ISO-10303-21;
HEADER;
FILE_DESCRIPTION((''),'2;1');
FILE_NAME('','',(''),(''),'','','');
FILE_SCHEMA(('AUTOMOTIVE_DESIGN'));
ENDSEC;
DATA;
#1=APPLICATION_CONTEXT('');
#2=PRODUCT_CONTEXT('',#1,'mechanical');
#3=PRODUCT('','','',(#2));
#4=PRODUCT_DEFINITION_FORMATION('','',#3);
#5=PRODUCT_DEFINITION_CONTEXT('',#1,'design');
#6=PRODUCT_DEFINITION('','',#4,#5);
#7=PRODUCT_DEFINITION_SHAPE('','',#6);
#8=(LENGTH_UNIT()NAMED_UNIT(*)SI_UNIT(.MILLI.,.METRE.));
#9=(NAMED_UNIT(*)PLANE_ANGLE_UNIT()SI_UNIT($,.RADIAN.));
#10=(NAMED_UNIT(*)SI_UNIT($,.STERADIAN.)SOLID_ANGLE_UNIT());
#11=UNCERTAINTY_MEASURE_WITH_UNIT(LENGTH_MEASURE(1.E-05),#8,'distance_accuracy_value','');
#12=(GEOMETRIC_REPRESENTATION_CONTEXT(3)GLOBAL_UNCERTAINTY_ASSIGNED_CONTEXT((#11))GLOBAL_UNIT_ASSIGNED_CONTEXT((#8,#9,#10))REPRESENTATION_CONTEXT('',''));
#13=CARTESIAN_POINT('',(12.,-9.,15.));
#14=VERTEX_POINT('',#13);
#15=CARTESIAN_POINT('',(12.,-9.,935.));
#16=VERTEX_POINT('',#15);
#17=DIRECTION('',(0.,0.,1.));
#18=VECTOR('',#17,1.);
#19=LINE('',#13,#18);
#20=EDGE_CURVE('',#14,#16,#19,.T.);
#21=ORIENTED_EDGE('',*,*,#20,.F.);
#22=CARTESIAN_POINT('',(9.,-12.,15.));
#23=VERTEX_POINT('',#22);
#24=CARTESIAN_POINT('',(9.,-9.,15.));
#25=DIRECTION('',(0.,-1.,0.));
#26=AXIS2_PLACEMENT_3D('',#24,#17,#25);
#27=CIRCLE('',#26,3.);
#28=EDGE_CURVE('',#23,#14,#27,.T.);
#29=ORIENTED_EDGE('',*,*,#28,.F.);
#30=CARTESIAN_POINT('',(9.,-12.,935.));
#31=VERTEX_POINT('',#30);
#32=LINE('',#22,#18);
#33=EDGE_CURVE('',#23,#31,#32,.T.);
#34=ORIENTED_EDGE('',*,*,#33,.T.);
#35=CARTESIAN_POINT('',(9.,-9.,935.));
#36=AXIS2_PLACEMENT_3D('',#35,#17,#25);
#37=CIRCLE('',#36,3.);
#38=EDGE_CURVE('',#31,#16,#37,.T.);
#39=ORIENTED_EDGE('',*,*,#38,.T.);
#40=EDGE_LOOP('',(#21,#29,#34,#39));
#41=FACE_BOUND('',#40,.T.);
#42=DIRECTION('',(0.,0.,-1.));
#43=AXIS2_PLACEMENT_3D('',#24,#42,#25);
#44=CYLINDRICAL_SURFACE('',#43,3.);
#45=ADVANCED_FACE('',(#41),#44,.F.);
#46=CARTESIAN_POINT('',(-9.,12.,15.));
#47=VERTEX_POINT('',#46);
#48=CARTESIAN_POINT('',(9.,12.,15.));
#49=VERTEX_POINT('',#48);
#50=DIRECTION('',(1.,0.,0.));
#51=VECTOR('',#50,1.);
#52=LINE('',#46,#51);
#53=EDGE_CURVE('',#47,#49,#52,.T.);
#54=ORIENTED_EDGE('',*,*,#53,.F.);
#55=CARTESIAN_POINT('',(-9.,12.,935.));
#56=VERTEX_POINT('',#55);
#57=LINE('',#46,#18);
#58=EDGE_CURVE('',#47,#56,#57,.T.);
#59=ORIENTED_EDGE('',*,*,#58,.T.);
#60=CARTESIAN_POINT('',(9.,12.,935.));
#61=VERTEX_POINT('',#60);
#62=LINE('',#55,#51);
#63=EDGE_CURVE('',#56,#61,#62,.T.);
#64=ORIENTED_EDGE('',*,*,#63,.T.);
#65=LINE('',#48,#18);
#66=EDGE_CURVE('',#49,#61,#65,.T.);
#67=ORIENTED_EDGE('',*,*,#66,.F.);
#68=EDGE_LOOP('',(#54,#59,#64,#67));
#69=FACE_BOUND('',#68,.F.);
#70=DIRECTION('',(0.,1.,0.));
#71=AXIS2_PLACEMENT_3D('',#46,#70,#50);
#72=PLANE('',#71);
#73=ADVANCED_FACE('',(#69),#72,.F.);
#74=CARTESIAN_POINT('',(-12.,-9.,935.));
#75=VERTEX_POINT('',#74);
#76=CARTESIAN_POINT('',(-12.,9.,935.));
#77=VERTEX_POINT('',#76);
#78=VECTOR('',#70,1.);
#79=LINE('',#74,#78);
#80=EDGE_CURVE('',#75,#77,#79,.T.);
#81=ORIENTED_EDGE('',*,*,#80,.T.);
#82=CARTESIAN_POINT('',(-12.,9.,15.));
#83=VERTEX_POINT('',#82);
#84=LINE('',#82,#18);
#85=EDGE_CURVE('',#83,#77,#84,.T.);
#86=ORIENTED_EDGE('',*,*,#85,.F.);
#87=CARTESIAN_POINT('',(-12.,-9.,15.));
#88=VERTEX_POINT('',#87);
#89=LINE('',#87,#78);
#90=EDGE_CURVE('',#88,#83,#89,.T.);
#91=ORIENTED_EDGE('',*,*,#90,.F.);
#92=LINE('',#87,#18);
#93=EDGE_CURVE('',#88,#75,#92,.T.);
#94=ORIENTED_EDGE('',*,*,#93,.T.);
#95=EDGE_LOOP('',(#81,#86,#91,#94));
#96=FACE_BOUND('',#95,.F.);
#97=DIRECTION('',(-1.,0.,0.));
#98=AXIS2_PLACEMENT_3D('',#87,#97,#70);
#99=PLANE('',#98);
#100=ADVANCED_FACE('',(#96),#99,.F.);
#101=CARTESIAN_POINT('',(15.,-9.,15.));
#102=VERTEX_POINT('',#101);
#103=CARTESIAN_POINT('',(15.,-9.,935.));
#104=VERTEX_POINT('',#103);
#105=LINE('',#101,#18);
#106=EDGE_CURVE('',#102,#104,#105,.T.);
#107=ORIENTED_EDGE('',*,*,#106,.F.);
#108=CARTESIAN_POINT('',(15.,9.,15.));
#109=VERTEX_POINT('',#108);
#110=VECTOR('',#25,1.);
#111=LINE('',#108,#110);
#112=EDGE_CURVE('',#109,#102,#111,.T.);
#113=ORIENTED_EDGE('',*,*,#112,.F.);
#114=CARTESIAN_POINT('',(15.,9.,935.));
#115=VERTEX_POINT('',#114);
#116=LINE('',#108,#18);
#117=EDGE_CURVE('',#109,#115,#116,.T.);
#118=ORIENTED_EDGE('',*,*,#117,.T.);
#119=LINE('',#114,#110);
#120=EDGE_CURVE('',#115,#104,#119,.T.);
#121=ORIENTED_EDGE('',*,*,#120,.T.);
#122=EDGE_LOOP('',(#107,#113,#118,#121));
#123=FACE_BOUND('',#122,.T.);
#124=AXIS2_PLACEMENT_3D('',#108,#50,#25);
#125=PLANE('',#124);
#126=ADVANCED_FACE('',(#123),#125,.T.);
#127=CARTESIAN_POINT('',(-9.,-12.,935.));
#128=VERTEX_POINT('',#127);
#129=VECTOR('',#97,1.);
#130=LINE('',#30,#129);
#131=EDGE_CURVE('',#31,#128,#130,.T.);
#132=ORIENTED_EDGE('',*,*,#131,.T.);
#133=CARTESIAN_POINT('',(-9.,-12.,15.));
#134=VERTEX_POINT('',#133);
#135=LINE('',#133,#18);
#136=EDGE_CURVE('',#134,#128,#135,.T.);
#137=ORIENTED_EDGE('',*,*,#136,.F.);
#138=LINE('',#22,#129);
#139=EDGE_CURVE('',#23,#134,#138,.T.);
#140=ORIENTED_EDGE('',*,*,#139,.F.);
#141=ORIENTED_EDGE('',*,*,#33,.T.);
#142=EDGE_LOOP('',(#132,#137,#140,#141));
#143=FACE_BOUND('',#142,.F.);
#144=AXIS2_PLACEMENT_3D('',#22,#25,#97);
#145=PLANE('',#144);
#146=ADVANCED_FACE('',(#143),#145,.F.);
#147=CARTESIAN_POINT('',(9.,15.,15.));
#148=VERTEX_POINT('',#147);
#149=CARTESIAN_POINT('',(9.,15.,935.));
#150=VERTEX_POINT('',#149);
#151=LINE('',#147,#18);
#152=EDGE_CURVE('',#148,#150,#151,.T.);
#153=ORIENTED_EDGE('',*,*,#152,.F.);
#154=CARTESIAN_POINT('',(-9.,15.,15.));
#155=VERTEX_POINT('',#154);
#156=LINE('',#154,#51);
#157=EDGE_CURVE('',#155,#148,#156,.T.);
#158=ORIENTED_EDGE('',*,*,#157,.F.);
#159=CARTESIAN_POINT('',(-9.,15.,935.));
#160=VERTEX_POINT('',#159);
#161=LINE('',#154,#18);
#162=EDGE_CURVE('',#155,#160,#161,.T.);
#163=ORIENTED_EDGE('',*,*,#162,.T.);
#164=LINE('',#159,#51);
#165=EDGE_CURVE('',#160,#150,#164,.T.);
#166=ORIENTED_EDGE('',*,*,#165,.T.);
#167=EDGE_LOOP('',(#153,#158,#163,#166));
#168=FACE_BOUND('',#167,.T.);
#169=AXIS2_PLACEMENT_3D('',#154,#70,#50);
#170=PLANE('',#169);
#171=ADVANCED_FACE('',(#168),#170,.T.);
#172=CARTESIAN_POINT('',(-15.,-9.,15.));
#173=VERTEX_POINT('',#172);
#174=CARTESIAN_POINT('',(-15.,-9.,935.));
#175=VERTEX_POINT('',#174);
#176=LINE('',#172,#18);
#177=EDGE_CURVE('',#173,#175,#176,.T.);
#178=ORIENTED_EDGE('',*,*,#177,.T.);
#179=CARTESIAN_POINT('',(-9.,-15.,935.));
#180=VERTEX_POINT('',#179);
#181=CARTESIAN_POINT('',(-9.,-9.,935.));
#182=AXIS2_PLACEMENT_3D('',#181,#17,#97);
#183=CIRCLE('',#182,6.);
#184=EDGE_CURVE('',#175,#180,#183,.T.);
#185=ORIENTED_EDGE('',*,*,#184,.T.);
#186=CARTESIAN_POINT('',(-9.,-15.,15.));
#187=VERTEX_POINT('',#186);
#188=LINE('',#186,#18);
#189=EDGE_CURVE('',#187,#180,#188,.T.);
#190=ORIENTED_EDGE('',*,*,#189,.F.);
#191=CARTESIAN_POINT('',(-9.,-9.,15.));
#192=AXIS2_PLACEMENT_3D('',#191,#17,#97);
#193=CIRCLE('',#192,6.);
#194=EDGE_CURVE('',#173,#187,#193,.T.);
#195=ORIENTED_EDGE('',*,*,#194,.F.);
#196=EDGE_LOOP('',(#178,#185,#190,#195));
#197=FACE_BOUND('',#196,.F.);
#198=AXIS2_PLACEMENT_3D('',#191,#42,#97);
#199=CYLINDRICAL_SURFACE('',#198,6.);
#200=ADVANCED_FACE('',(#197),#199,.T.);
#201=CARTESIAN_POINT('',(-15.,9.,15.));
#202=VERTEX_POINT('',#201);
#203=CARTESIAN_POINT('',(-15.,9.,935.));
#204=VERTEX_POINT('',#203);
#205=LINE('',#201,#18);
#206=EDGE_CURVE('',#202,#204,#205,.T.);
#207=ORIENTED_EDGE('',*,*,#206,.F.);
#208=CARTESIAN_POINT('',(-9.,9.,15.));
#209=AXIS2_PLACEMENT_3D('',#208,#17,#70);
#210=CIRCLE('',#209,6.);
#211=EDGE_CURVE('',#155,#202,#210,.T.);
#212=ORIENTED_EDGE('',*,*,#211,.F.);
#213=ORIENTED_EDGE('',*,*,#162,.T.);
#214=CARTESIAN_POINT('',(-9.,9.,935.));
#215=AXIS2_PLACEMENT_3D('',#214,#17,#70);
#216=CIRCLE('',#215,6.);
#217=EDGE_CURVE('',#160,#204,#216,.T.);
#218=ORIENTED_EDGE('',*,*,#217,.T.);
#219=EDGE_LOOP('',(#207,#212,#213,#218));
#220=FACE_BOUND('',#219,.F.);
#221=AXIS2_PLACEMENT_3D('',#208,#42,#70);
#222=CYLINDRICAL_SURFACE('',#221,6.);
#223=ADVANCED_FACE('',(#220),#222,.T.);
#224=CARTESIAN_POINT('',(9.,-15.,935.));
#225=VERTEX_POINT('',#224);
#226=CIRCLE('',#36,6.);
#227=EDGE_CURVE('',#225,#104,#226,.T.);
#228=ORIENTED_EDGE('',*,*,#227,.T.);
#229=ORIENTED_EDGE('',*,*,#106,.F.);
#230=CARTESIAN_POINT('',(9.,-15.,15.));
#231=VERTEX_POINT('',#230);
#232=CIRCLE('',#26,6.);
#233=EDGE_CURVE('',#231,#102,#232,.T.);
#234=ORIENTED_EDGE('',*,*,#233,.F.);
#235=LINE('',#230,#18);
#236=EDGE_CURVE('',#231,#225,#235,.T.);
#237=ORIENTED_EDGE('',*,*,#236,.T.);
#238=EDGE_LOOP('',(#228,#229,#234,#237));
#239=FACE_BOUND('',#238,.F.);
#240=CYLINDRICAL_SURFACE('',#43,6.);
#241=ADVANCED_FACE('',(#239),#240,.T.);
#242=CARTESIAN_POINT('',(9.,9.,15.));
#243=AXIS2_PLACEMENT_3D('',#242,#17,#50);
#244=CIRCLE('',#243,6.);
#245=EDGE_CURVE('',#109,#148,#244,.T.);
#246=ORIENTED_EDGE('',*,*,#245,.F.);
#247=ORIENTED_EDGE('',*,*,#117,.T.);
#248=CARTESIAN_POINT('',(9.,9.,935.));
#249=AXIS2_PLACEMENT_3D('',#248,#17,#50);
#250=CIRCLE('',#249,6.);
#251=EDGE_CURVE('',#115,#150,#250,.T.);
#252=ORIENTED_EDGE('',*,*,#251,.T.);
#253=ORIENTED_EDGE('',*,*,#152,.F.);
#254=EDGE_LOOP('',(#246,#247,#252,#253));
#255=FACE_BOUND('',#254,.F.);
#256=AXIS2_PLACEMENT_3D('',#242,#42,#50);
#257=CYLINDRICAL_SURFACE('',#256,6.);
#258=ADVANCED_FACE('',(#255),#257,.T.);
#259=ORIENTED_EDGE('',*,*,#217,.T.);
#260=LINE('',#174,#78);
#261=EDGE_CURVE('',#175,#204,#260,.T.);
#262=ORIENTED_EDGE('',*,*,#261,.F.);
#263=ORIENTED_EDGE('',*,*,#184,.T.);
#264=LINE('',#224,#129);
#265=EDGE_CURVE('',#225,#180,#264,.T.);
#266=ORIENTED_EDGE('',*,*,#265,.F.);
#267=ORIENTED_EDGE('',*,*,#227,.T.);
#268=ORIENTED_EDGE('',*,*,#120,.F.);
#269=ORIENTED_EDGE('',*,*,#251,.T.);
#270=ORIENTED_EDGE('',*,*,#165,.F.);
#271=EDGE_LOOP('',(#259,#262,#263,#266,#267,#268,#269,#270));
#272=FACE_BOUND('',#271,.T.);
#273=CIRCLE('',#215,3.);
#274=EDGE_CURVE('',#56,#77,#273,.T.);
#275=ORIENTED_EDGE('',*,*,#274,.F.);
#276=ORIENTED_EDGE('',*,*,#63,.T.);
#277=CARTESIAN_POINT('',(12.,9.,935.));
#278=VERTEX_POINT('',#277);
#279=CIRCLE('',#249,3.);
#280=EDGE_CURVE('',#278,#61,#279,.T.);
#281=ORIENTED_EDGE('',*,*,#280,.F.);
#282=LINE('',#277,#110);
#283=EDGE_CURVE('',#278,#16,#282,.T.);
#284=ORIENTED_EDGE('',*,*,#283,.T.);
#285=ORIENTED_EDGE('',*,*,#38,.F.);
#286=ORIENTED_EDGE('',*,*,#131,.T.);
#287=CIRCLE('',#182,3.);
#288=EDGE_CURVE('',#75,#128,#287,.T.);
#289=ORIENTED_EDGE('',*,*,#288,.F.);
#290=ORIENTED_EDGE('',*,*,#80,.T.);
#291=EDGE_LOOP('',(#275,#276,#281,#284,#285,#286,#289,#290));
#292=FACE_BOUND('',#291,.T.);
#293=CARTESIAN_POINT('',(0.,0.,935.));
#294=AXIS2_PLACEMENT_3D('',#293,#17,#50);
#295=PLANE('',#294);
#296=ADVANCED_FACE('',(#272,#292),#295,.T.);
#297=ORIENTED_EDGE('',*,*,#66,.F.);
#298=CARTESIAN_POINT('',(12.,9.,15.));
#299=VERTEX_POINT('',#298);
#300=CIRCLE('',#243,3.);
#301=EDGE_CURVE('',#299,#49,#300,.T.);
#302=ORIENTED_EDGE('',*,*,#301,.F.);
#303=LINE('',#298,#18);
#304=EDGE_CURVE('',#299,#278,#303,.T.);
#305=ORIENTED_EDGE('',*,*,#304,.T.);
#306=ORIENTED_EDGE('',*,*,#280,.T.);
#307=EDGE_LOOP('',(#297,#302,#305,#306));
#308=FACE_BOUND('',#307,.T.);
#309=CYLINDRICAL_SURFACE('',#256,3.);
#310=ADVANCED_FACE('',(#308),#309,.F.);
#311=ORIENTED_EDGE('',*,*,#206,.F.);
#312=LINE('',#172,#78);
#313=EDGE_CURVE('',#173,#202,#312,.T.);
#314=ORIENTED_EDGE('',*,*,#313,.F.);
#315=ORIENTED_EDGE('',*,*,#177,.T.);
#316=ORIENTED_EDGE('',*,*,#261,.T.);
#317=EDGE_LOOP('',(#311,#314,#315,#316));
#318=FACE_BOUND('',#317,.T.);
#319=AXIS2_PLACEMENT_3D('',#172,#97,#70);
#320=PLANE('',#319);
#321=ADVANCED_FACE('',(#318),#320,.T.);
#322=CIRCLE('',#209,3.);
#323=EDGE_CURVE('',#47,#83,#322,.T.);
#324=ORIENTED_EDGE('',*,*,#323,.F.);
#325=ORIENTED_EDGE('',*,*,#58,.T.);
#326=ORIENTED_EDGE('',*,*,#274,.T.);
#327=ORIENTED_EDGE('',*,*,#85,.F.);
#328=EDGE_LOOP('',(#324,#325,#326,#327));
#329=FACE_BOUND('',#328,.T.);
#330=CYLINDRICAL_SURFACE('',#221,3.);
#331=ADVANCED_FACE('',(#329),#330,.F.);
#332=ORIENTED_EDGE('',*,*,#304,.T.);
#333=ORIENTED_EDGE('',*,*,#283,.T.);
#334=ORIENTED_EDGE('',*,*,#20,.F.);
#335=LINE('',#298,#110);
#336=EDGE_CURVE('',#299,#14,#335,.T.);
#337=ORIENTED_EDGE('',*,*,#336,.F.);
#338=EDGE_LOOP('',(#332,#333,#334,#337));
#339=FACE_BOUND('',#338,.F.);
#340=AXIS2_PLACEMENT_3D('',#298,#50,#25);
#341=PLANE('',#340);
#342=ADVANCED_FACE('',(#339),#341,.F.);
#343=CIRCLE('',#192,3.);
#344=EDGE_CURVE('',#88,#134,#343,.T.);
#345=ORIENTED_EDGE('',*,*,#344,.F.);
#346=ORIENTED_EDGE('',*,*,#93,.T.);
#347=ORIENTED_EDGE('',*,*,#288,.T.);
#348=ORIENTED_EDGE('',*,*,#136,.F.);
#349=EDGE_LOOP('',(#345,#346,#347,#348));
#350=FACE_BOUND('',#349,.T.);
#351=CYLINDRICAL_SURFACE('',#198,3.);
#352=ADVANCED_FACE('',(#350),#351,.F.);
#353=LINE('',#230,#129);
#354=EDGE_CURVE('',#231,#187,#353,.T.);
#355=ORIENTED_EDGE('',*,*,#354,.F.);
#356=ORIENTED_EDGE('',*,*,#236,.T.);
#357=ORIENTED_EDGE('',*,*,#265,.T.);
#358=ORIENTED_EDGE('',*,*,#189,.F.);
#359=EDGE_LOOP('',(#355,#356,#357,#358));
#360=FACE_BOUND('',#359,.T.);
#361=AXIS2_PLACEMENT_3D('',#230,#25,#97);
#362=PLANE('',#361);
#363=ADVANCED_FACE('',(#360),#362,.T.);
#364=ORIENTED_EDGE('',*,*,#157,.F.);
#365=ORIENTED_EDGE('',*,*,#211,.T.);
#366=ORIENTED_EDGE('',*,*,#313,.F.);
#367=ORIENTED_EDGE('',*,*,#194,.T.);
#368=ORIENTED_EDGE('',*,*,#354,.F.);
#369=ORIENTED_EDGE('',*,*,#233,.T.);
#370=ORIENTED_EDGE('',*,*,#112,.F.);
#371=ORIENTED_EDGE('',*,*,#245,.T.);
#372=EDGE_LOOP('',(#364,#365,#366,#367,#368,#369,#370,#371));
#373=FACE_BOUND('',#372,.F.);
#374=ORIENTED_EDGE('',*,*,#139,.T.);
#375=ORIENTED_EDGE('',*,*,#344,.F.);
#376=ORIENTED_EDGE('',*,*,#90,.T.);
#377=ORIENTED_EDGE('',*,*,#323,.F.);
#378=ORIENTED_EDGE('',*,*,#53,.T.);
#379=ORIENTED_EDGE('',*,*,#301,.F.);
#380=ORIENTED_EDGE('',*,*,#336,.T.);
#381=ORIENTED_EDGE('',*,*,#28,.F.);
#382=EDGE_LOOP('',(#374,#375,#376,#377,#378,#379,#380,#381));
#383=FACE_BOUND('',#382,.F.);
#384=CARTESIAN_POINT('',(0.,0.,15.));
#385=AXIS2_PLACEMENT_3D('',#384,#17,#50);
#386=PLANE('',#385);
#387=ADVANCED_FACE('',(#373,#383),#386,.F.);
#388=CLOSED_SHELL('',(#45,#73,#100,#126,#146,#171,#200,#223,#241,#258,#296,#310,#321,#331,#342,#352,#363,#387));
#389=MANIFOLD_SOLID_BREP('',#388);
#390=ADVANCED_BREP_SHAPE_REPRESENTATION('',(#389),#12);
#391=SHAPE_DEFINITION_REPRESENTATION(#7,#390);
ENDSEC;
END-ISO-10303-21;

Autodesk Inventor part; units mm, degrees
ref_plane "Start Plane" through (0, 0, 15) normal (0, 0, 1) x (1, 0, 0)
ref_plane "End Plane" through (0, 0, 935) normal (0, 0, 1) x (1, 0, 0)
sketch "Sketch" plane through (0, 0, 0) normal (0, 0, 1) x (1, 0, 0)
  line L0 (-15, -9) -> (-15, 9)
  line L1 (-9, 15) -> (9, 15)
  line L2 (15, 9) -> (15, -9)
  line L3 (9, -15) -> (-9, -15)
  arc A0 (-15, -9) -> (-9, -15) centre (-9, -9) ccw
  arc A1 (-9, 15) -> (-15, 9) centre (-9, 9) ccw
  arc A2 (15, 9) -> (9, 15) centre (9, 9) ccw
  arc A3 (9, -15) -> (15, -9) centre (9, -9) ccw
  arc A4 (-9, 12) -> (-12, 9) centre (-9, 9) ccw
  line L4 (-9, 12) -> (9, 12)
  arc A5 (12, 9) -> (9, 12) centre (9, 9) ccw
  line L5 (12, 9) -> (12, -9)
  arc A6 (9, -12) -> (12, -9) centre (9, -9) ccw
  line L6 (9, -12) -> (-9, -12)
  arc A7 (-12, -9) -> (-9, -12) centre (-9, -9) ccw
  line L7 (-12, -9) -> (-12, 9)
  line L8 (0, 22.7397) -> (0, -22.7397) construction
  line L9 (-22.7397, 0) -> (22.7397, 0) construction
  dimension "d7" = 6
  dimension "d10" = 30
  dimension "d11" = 30
  dimension "d12" = 3
  dimension "d15" = 15
  dimension "d16" = 15
extrude "Body" add sketch "Sketch" along normal up to surface (920 mm away) from surface at 15
sketch "Sketch3" plane through (0, 0, 0) normal (0, 0, 1) x (1, 0, 0)
  line L0 (0, 0) -> (10, 0)
ref_plane "Work Plane3" through (0, 0, 0) normal (0, -1, 0) x (1, 0, 0)
ref_plane "Work Plane4" through (-9, -2487, 15) normal (0, 0, -1) x (-1, 0, 0)
split "Split1" plane through (-9, -2487, 15) removes the side toward (0, 0, -1)
ref_plane "Work Plane5" through (0, 409, 935) normal (0, 0, 1) x (1, 0, 0)
split "Split2" plane through (0, 409, 935) removes the side toward (0, 0, 1)
sketch "Sketch4" plane through (0, 0, 0) normal (0, -1, 0) x (1, 0, 0)
  line L0 (-2, 15) -> (12, 15) projected
  line L1 (-2, 935) -> (12, 935) projected
  dimension "d18" = 920
equation "\"d7\" = G_IR"
equation "\"d10\" = G_H"
equation "\"d11\" = G_W"
equation "\"d12\" = G_T"
equation "\"d15\" = 0.5 * d10"
equation "\"d16\" = 0.5 * d11"
equation "\"d3\" = G_L"
equation "\"G_W\" = 30"
equation "\"G_H\" = 30"
equation "\"G_T\" = 3"
equation "\"G_IR\" = 6"
equation "\"G_L\" = d18"
equation "\"G_OFFSET_START\" = -15"
equation "\"G_OFFSET_END\" = -15"
equation "\"d13\" = -G_OFFSET_START"
equation "\"d14\" = G_OFFSET_END + B_L"
equation "\"B_L\" = 950"
properties part number "DIN EN 10219-2 - 30 x 30 x 3  - 920" material "Steel, Mild"
